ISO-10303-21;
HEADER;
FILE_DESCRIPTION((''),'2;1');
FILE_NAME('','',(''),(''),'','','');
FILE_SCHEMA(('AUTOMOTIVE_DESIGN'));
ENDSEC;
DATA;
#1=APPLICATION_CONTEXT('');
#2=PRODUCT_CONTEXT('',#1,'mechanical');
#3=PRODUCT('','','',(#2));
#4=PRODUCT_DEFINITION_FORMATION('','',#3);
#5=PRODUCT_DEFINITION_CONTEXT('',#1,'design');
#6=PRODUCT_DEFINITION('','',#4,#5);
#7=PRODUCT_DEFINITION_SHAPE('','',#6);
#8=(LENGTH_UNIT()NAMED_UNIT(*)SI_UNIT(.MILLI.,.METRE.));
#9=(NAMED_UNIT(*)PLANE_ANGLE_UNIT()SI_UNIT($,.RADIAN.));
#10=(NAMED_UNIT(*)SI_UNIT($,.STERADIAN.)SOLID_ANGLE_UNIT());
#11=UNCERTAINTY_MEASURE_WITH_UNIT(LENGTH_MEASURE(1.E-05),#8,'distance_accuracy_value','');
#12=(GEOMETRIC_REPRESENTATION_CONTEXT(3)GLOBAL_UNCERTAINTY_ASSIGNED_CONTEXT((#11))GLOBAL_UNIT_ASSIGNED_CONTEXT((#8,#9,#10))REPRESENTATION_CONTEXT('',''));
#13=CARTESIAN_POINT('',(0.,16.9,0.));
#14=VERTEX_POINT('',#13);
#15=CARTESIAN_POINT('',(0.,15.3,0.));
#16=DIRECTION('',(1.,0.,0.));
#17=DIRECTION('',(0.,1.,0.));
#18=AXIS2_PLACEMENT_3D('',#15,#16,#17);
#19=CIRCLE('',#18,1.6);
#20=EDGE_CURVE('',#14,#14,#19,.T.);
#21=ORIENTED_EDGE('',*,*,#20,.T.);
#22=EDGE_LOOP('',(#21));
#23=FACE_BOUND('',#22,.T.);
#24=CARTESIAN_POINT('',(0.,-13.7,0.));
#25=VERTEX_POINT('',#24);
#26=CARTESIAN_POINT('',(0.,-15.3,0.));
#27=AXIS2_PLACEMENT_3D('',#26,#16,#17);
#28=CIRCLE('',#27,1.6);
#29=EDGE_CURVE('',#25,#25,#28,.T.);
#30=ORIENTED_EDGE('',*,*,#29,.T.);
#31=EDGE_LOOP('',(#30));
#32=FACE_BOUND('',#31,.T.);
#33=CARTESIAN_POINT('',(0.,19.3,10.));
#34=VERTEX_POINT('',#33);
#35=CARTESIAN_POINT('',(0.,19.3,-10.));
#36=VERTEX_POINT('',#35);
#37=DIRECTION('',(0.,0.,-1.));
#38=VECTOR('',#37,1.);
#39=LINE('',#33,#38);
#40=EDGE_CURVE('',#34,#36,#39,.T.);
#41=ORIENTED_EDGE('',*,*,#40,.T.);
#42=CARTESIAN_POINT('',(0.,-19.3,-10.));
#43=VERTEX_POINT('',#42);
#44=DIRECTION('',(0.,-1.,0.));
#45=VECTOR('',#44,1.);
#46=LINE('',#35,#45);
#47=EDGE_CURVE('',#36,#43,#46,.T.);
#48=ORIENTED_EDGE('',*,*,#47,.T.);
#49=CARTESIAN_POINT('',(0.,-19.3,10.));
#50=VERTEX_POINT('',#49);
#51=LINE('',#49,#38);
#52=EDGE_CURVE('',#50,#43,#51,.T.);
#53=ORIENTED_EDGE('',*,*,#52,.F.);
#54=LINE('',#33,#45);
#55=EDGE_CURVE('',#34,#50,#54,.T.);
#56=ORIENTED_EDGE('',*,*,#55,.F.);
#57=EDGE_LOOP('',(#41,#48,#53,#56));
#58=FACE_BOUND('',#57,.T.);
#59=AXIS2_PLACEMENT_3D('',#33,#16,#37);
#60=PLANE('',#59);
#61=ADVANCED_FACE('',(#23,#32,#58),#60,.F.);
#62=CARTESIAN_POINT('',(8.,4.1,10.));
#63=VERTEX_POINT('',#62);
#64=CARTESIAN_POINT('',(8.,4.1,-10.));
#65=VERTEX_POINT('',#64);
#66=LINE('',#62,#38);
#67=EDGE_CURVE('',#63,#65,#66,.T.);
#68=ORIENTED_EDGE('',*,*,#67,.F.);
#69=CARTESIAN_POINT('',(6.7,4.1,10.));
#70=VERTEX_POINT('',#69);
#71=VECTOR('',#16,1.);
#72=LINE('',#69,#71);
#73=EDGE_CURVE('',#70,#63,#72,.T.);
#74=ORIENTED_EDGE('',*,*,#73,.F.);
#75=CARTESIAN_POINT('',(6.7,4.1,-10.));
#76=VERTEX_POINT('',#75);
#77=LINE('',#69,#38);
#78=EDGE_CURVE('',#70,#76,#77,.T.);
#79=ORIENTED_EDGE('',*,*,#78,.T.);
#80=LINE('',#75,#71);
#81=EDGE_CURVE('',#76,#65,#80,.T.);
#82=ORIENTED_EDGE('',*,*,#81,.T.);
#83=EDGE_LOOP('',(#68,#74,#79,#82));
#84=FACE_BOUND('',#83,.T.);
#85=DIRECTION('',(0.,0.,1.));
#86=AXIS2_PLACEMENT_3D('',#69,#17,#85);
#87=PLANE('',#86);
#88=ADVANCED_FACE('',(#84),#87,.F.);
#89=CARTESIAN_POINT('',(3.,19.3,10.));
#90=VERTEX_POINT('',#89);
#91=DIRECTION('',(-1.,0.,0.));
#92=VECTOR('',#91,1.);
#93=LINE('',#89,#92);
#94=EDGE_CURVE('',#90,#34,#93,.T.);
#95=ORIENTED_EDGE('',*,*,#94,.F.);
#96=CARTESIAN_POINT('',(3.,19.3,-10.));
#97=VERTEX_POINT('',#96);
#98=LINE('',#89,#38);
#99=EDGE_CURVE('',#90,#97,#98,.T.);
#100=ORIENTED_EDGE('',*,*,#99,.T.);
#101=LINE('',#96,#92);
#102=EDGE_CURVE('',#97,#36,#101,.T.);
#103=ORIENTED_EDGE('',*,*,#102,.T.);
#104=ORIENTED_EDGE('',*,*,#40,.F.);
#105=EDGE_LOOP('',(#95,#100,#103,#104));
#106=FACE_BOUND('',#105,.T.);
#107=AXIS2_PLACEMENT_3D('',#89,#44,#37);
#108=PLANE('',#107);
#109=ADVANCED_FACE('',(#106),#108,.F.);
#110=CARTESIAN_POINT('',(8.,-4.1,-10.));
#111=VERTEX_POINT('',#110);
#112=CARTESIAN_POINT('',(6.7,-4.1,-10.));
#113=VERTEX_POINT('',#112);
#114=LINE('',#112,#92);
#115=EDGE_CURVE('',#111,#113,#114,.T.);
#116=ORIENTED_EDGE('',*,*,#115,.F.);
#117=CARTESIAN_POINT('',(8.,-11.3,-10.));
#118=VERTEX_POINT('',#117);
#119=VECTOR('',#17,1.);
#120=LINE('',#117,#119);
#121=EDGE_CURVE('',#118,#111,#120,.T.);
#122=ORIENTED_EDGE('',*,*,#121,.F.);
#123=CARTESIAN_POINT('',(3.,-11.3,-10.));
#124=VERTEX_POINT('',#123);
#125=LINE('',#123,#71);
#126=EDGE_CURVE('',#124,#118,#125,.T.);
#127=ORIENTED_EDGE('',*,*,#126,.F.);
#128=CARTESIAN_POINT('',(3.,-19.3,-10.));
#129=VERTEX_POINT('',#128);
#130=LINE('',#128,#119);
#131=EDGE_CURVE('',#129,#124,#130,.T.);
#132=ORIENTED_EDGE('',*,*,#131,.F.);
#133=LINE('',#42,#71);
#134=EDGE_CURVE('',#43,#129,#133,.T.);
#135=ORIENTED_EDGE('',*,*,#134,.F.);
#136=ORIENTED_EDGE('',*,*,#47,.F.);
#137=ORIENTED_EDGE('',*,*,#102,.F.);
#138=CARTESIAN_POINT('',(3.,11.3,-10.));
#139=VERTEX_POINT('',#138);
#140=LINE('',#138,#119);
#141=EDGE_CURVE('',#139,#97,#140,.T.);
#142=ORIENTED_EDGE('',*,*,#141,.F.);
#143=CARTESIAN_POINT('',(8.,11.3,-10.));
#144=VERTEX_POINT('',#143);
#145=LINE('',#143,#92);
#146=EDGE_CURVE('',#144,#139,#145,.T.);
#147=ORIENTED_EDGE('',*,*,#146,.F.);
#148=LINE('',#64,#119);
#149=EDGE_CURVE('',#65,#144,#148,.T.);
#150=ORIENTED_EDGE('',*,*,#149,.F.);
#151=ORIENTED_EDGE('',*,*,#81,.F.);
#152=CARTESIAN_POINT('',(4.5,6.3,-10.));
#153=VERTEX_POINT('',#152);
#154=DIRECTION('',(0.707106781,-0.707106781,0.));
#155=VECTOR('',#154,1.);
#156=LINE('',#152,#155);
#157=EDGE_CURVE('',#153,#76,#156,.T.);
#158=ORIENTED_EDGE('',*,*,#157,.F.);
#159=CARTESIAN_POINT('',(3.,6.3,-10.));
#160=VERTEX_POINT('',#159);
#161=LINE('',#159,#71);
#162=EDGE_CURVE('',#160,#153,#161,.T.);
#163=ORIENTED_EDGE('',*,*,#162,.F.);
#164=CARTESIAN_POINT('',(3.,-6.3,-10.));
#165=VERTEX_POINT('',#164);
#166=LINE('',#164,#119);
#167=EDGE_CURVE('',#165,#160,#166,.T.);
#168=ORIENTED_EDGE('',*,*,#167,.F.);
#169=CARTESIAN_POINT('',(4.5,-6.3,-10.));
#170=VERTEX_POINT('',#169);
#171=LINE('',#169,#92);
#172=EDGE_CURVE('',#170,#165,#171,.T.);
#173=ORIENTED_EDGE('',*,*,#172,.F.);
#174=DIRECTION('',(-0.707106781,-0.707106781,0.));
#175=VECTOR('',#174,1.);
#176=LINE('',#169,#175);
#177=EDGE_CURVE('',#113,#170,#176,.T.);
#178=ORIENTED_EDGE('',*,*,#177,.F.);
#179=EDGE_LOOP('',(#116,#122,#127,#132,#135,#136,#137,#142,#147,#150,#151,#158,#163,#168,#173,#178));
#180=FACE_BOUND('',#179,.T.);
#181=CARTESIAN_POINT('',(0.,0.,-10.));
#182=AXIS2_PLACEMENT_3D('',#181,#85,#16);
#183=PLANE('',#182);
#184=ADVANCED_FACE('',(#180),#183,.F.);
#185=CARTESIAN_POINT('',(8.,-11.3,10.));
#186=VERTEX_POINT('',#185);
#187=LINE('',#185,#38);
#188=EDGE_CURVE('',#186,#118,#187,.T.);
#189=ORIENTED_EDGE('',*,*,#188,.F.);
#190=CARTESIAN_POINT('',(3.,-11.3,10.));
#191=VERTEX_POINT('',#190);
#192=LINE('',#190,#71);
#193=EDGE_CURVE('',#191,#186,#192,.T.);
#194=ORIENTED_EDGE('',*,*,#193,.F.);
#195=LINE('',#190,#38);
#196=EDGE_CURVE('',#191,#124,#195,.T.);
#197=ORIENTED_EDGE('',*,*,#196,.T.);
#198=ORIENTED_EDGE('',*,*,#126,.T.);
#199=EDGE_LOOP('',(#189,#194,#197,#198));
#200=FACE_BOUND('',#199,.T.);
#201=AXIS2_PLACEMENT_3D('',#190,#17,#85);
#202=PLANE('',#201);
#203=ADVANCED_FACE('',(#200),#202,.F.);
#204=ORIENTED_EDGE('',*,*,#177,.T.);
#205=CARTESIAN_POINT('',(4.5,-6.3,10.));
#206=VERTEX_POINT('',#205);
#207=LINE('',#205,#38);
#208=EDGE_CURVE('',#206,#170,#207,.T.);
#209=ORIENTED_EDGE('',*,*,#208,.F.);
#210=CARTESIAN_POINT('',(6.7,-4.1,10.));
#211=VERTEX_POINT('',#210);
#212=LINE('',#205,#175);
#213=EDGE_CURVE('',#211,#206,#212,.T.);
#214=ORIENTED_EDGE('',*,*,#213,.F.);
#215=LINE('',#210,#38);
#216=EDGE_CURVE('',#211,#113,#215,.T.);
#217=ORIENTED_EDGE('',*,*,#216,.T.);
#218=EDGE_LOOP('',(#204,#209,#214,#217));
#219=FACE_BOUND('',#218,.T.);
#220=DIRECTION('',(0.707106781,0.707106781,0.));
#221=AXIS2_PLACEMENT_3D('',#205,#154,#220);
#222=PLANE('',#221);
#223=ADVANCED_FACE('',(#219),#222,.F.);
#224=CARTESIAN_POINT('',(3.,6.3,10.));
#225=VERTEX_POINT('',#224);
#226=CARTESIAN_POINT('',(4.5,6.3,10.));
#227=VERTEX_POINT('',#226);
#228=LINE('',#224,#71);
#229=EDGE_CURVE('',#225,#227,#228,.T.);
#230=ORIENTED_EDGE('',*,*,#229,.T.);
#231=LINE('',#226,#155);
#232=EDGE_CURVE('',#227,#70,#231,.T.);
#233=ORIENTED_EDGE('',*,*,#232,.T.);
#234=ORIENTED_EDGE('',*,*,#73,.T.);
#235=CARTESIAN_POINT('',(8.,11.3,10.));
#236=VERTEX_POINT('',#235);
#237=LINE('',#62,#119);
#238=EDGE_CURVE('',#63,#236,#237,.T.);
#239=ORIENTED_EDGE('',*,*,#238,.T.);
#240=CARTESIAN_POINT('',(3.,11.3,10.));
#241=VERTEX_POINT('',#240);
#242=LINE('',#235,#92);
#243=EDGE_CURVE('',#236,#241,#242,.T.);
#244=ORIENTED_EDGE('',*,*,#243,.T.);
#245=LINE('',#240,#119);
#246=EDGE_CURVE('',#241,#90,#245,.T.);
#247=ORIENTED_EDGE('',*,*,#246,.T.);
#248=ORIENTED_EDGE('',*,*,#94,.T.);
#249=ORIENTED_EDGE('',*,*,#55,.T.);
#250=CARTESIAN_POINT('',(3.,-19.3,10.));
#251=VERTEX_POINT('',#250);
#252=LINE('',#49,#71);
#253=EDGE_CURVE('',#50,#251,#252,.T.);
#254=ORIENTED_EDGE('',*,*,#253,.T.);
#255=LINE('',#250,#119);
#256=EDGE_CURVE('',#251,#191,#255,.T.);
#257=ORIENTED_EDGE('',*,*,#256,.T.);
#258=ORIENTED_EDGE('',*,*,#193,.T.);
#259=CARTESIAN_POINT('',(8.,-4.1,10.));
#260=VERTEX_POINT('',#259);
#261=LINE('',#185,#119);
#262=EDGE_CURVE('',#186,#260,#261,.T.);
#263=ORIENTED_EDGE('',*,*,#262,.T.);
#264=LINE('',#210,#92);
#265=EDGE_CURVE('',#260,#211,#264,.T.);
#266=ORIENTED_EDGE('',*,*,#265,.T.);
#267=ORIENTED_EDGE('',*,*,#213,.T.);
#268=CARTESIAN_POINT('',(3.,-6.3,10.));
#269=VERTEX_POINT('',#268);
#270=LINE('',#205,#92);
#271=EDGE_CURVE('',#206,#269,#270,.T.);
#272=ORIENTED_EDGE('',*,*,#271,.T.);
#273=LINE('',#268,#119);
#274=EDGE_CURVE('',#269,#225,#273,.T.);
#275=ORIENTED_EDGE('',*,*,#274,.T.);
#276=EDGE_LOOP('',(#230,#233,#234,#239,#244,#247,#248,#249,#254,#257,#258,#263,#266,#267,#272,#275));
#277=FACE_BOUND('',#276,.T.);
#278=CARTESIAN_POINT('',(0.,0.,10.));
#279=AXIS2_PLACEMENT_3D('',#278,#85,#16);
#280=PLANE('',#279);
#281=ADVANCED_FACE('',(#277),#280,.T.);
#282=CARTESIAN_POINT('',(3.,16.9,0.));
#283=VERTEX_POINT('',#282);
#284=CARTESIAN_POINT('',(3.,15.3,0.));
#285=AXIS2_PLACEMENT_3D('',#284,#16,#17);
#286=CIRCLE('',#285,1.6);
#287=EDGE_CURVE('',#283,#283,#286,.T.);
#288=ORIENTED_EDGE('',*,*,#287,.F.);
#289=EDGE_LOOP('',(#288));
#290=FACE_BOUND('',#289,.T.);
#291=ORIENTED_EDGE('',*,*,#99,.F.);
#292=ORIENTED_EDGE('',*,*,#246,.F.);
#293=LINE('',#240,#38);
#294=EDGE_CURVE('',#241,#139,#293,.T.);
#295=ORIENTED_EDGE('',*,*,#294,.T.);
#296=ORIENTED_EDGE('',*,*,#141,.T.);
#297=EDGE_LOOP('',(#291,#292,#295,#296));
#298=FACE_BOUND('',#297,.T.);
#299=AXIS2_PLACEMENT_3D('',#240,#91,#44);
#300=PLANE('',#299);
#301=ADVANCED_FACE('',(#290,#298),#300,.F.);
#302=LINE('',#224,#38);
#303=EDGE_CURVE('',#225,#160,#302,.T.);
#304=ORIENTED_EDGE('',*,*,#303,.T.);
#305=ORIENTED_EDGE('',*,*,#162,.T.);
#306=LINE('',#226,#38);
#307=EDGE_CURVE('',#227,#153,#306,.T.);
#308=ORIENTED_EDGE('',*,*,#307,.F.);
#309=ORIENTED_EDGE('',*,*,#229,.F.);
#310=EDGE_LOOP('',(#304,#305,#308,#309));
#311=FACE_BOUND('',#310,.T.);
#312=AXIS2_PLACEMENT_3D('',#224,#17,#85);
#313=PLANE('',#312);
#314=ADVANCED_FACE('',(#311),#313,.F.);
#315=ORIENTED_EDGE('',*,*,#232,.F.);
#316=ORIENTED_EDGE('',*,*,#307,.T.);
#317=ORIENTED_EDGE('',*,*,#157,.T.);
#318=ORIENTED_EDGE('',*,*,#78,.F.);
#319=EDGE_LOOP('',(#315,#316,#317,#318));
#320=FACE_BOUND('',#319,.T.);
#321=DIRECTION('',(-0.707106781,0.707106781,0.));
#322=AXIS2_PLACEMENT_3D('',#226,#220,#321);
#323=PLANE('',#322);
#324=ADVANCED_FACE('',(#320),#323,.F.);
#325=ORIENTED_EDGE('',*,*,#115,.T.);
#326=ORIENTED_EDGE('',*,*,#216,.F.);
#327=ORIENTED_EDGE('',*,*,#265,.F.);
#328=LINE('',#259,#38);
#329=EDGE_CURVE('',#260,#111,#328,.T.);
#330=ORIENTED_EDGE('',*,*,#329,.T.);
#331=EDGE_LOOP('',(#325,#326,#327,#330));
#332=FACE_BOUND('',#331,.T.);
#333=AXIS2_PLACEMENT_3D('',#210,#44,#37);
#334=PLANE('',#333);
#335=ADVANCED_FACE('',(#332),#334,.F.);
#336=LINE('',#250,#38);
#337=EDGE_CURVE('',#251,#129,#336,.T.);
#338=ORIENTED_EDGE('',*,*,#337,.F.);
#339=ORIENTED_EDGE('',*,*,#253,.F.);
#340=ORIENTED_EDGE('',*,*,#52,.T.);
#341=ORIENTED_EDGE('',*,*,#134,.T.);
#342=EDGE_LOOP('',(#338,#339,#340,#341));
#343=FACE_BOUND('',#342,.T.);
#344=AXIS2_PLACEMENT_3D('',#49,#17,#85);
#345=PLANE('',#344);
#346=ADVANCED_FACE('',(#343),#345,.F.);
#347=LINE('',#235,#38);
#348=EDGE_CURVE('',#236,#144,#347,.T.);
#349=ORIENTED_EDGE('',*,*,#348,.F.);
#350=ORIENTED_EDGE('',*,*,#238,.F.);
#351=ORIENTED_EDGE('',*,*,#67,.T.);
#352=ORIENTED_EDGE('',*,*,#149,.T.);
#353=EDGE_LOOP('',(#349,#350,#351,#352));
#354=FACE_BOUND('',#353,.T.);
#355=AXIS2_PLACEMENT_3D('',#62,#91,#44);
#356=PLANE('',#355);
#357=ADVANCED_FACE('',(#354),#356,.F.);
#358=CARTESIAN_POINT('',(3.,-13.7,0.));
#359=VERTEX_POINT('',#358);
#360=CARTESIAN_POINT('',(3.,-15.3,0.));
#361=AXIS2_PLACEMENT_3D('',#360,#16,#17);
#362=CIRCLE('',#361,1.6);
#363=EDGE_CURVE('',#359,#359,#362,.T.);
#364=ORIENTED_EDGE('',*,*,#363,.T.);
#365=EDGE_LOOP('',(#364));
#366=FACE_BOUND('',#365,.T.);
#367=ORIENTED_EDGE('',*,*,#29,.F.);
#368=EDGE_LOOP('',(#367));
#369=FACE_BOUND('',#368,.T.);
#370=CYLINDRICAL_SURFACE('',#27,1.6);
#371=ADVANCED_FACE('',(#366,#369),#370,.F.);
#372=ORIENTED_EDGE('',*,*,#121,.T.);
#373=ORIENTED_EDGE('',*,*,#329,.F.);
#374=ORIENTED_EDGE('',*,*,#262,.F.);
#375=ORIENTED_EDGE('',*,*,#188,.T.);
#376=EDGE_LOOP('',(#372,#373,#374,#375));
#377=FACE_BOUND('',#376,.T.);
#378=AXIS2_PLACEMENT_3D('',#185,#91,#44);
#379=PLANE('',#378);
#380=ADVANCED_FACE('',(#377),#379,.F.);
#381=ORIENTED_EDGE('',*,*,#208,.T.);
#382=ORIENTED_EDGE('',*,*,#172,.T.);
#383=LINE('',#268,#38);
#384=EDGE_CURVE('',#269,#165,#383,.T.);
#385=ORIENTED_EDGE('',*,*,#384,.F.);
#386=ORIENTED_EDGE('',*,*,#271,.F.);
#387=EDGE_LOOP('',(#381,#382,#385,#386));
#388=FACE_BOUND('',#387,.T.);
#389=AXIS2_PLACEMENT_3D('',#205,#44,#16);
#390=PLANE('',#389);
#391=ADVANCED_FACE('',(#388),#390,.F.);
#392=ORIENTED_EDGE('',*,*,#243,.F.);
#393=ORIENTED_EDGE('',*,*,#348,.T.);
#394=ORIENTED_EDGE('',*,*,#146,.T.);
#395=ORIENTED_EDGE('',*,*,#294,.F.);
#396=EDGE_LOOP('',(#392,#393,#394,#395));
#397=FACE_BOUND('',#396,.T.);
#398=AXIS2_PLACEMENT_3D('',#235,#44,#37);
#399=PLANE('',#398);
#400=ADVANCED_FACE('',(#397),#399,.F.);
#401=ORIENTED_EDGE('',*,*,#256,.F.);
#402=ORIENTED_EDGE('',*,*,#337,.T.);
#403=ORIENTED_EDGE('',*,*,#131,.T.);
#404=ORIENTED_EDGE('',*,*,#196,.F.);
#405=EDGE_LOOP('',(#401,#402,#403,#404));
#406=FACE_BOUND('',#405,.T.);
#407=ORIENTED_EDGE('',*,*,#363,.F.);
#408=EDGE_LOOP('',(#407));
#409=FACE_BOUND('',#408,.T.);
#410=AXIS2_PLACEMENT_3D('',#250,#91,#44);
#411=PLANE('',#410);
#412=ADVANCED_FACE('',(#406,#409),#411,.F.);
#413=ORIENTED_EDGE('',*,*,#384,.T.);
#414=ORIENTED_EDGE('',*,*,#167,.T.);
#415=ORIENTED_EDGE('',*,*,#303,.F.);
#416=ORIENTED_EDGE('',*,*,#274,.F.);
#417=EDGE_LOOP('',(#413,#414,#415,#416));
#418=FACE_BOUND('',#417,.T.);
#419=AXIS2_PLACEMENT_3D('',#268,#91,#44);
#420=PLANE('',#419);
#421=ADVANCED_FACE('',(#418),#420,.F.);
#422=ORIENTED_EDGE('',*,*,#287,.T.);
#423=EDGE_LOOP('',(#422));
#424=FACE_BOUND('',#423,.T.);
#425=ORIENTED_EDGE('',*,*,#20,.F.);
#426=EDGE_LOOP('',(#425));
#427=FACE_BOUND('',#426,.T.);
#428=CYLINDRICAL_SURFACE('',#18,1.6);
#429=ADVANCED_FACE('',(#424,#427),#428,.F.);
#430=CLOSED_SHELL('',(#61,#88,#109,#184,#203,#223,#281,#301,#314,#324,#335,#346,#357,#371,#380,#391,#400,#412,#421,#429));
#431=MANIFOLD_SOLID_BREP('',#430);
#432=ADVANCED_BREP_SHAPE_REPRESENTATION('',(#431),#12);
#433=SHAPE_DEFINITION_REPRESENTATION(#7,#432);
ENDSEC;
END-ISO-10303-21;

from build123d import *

# Parameters (mm, degrees)
MAIN_DEPTH         = 10
SKETCH2_R          = 1.6
CUT_EXTRUDE1_DEPTH = 4


with BuildPart() as part:
    # Sketch1 → Main (new body, symmetric)
    with BuildSketch(Plane.XY):
        Polygon((0, 19.3), (0, -19.3), (3, -19.3), (3, -11.3), (8, -11.3), (8, -4.1), (6.7, -4.1), (4.5, -6.3), (3, -6.3), (3, 6.3), (4.5, 6.3), (6.7, 4.1), (8, 4.1), (8, 11.3), (3, 11.3), (3, 19.3), align=None)
    extrude(amount=MAIN_DEPTH, both=True)

    # Sketch2 → Cut-Extrude1 (cut, through all)
    with BuildSketch(Plane(origin=(3, 0, 0), x_dir=(0, 0, -1), z_dir=(1, 0, 0))):
        with Locations((0, 15.3)):
            Circle(SKETCH2_R)
        with Locations((0, -15.3)):
            Circle(SKETCH2_R)
    extrude(amount=-CUT_EXTRUDE1_DEPTH, mode=Mode.SUBTRACT)


solid = part.part
